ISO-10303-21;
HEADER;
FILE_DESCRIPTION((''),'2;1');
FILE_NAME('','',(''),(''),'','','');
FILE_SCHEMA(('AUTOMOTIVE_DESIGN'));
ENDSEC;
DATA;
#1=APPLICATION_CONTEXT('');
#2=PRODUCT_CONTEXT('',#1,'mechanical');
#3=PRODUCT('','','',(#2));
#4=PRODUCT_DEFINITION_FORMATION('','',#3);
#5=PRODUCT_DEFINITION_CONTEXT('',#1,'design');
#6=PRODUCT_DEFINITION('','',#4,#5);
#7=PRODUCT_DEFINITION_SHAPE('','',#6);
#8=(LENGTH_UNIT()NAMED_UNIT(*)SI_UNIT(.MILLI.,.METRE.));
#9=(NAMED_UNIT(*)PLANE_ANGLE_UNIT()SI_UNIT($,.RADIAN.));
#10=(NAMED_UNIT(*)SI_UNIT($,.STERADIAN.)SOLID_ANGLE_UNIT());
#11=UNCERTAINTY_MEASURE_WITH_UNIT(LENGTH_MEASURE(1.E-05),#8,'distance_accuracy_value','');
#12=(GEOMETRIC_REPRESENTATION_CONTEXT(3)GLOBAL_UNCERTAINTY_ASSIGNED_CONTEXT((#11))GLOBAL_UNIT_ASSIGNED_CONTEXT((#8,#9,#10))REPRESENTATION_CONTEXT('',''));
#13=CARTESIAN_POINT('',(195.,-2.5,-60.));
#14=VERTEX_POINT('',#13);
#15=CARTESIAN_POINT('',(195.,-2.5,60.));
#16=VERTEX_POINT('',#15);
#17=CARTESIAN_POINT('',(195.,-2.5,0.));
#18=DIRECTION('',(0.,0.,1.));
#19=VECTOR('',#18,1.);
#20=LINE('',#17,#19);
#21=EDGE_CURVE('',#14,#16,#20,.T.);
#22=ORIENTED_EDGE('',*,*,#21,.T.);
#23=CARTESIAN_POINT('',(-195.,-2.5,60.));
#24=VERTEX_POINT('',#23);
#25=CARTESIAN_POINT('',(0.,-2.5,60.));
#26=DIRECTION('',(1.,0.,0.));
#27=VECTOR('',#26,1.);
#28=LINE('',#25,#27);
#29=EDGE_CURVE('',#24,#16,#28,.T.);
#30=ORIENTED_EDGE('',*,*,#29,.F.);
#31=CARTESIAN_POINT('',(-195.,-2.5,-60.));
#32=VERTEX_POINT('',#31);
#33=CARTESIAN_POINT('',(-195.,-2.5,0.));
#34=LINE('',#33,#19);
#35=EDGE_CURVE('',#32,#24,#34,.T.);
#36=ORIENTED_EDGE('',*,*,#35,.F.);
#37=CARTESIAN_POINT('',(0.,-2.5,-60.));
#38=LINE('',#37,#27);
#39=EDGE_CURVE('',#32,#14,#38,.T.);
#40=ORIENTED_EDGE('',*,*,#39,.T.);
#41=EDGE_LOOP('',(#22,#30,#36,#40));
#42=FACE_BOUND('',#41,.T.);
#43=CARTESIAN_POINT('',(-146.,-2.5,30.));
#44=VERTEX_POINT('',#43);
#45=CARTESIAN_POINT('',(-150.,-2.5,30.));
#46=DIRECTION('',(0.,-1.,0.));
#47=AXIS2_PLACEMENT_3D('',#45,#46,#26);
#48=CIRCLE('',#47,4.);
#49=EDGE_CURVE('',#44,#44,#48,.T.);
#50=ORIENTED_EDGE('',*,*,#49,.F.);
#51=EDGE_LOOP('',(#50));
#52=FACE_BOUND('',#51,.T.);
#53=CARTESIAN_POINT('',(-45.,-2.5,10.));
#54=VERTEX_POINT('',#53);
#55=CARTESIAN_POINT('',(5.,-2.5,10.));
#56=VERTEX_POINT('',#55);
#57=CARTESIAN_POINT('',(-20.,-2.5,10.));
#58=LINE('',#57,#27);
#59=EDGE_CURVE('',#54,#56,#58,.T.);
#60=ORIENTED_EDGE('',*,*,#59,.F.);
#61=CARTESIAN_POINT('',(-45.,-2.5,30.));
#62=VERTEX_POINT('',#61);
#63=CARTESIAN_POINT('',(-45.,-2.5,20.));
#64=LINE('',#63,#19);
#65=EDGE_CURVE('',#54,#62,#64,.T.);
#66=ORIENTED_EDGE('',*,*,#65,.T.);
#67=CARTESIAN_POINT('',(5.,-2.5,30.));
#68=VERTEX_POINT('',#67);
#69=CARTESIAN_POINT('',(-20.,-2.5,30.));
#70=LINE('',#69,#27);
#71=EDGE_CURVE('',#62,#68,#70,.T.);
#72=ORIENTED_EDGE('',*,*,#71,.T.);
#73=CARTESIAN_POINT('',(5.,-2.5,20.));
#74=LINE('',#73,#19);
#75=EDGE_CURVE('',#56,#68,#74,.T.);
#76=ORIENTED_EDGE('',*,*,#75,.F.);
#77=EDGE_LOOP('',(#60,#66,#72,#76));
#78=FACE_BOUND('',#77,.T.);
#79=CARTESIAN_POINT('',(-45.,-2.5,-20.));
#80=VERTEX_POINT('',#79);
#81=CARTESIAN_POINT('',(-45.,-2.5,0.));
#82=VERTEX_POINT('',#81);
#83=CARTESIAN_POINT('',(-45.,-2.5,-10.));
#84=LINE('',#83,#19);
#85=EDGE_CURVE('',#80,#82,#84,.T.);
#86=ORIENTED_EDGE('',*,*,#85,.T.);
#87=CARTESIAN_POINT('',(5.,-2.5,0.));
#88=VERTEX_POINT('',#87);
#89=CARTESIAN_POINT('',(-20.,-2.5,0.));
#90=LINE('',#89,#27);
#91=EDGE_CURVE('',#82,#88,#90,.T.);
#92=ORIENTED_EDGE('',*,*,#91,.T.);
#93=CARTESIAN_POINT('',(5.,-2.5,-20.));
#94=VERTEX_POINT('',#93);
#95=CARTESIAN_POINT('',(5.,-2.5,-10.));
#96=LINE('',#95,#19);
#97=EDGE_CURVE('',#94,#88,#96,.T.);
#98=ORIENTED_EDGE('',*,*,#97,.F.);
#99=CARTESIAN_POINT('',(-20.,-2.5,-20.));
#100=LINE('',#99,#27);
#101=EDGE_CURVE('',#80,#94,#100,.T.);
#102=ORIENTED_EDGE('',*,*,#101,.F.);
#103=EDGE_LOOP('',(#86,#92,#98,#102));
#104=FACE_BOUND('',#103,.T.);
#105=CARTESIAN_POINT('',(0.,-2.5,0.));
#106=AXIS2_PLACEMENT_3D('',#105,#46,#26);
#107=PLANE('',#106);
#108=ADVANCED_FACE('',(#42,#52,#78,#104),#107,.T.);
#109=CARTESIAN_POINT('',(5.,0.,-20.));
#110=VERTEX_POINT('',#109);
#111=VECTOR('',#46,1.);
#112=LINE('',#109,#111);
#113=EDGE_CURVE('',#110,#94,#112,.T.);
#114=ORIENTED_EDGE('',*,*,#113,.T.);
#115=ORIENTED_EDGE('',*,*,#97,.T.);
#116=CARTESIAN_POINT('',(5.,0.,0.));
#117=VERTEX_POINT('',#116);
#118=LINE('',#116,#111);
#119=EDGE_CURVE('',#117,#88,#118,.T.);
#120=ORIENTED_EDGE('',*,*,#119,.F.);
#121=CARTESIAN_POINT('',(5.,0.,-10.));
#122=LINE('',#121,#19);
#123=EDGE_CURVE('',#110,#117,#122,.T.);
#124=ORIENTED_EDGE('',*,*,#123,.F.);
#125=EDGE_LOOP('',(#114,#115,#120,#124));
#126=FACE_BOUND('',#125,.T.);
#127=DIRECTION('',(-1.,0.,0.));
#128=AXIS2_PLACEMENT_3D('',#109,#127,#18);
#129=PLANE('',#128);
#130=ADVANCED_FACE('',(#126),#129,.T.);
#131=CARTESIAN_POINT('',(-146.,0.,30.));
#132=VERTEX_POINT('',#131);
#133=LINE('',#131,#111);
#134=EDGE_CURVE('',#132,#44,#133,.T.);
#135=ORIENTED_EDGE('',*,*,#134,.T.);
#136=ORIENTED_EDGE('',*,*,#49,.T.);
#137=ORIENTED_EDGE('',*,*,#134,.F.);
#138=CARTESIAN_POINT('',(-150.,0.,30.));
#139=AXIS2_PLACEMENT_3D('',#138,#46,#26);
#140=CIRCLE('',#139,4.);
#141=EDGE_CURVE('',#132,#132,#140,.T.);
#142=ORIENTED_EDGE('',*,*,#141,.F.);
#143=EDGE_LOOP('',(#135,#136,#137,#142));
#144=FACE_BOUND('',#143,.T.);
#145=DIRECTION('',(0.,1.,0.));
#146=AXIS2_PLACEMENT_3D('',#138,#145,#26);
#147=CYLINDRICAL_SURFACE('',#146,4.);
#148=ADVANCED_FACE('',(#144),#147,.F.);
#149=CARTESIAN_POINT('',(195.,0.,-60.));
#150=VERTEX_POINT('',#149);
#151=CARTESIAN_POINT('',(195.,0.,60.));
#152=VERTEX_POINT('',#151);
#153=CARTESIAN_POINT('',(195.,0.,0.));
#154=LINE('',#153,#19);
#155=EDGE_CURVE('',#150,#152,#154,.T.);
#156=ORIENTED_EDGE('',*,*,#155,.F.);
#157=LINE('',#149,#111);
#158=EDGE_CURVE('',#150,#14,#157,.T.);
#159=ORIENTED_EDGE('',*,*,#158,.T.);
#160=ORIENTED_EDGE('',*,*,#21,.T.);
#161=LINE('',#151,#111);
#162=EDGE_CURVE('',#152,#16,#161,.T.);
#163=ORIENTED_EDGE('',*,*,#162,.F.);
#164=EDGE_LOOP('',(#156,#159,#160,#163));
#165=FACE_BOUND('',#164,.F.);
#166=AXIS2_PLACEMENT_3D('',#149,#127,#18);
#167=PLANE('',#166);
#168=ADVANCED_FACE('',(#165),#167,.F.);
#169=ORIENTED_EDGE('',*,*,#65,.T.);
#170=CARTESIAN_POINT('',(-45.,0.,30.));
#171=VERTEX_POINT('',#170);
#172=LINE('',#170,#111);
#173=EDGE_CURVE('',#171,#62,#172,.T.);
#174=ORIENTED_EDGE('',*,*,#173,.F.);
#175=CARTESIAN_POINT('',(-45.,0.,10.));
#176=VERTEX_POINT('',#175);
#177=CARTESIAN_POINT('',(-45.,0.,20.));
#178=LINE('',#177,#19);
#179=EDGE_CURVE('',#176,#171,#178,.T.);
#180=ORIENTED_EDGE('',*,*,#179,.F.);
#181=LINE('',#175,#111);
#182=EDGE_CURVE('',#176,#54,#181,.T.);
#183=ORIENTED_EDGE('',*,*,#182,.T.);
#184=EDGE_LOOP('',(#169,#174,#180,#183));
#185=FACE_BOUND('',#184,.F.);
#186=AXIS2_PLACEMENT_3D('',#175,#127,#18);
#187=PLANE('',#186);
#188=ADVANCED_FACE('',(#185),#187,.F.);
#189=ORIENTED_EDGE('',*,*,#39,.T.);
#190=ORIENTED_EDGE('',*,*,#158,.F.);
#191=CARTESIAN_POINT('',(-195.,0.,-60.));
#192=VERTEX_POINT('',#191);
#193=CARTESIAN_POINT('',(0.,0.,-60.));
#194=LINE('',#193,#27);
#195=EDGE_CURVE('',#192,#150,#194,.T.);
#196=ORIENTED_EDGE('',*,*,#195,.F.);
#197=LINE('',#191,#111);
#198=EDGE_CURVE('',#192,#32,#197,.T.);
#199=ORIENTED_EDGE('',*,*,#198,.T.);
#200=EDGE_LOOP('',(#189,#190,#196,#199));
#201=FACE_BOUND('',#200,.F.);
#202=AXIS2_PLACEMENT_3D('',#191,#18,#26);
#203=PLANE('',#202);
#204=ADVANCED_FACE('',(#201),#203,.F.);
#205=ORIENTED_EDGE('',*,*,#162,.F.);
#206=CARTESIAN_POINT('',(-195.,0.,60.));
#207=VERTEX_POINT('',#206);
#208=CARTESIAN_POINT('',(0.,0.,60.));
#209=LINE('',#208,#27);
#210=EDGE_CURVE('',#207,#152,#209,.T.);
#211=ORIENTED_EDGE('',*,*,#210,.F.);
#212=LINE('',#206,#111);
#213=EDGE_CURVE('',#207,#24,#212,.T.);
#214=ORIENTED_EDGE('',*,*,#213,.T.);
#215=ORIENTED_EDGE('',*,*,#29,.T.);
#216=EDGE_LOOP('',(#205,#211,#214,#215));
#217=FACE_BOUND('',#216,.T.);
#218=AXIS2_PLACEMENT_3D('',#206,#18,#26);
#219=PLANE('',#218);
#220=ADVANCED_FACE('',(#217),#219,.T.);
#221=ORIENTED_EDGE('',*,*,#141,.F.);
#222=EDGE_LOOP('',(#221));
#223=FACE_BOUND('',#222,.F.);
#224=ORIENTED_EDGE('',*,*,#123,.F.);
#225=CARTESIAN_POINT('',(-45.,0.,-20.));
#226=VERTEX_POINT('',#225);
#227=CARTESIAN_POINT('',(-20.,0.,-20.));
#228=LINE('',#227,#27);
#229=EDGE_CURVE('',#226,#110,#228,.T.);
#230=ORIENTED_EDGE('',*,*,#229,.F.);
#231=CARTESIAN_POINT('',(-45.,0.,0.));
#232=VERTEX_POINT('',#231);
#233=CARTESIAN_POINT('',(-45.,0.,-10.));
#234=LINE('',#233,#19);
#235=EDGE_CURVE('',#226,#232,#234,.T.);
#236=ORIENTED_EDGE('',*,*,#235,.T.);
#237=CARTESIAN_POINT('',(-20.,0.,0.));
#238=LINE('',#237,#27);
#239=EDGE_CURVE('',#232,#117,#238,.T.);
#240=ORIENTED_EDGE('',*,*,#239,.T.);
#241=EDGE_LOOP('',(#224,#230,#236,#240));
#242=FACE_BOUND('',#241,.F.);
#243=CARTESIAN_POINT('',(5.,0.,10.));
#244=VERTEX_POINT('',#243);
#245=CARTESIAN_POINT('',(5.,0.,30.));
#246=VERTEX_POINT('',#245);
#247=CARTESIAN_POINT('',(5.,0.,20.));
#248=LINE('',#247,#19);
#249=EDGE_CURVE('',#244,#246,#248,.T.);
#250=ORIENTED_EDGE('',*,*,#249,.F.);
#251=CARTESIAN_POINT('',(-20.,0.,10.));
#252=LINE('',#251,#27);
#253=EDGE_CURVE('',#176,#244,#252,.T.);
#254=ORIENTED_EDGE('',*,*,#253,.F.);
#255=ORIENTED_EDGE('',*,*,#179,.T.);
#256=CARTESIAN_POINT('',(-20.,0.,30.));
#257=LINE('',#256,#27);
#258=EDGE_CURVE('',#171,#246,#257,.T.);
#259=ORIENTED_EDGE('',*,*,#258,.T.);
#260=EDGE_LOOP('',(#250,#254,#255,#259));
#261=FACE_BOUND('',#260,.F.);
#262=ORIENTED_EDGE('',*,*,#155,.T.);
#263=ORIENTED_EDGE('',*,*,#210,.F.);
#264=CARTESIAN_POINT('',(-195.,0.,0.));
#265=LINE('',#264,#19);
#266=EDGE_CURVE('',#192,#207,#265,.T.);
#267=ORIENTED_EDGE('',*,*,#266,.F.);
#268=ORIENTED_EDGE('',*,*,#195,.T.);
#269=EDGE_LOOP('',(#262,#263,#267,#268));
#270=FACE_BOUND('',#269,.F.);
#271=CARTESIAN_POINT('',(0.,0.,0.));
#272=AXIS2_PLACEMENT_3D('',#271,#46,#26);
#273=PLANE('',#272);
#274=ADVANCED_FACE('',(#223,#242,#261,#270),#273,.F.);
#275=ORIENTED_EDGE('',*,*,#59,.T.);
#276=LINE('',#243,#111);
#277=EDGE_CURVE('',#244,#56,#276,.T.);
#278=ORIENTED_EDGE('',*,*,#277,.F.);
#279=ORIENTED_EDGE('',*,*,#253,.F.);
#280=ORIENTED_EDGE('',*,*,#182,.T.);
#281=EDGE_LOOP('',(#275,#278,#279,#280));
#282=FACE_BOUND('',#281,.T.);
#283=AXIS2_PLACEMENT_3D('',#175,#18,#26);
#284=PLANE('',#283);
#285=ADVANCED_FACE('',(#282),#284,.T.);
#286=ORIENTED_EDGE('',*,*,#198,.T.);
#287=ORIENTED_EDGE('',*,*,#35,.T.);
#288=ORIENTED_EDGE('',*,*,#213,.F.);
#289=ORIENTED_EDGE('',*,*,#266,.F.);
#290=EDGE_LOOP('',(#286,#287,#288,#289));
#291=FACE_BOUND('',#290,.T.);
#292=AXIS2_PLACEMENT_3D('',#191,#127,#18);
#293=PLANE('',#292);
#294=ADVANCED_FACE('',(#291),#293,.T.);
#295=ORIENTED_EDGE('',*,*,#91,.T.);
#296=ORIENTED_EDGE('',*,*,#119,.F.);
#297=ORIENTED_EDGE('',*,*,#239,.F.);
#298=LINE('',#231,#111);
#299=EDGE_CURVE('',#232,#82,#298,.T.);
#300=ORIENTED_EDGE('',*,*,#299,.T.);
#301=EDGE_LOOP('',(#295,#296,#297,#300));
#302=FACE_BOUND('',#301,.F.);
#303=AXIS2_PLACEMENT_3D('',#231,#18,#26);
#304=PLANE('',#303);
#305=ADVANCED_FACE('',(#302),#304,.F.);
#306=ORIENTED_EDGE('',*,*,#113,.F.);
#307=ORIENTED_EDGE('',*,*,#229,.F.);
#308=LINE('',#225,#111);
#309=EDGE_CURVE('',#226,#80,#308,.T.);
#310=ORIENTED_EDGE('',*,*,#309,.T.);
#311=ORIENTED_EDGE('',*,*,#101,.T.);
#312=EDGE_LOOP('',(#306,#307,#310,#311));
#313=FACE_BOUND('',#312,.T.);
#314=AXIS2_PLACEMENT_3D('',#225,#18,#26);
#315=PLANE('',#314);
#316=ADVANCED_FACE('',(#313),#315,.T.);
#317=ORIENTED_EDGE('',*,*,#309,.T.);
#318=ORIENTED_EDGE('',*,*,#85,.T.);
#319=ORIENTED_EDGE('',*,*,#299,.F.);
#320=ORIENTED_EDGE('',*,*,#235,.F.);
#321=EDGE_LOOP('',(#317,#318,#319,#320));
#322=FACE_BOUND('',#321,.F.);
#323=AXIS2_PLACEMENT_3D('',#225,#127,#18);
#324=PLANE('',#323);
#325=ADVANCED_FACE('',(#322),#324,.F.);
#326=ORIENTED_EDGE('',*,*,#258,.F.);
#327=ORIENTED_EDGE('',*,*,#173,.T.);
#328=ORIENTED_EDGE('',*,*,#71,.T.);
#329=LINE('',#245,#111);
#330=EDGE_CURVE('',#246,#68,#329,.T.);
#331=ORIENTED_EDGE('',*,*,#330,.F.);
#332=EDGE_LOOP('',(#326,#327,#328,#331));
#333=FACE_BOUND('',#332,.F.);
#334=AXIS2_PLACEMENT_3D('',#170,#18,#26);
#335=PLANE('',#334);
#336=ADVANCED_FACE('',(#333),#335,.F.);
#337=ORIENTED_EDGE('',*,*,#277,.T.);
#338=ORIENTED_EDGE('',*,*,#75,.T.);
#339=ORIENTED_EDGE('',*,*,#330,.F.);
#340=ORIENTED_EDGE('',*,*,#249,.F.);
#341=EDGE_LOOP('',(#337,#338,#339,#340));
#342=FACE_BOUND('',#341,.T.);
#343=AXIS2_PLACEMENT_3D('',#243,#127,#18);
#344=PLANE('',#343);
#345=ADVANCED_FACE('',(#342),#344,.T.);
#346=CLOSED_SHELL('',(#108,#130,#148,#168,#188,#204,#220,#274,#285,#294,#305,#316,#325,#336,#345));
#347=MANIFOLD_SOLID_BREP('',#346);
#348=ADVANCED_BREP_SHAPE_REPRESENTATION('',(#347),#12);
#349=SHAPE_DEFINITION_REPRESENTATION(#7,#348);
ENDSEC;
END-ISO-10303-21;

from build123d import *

# Parameters (mm, degrees)
F0_W     = 390
F0_H     = 120
F0_W_2   = 50
F0_H_2   = 20
F0_R     = 4
F1_DEPTH = 2.5


with BuildPart() as f1:
    # F0 (on Front) → F1 (new body)
    with BuildSketch(Plane.XZ):
        Rectangle(F0_W, F0_H)
        with Locations((-20, -10)):
            Rectangle(F0_W_2, F0_H_2, mode=Mode.SUBTRACT)
        with Locations((-20, 20)):
            Rectangle(F0_W_2, F0_H_2, mode=Mode.SUBTRACT)
        with Locations((-150, 30)):
            Circle(F0_R, mode=Mode.SUBTRACT)
    extrude(amount=F1_DEPTH)


solid = f1.part
